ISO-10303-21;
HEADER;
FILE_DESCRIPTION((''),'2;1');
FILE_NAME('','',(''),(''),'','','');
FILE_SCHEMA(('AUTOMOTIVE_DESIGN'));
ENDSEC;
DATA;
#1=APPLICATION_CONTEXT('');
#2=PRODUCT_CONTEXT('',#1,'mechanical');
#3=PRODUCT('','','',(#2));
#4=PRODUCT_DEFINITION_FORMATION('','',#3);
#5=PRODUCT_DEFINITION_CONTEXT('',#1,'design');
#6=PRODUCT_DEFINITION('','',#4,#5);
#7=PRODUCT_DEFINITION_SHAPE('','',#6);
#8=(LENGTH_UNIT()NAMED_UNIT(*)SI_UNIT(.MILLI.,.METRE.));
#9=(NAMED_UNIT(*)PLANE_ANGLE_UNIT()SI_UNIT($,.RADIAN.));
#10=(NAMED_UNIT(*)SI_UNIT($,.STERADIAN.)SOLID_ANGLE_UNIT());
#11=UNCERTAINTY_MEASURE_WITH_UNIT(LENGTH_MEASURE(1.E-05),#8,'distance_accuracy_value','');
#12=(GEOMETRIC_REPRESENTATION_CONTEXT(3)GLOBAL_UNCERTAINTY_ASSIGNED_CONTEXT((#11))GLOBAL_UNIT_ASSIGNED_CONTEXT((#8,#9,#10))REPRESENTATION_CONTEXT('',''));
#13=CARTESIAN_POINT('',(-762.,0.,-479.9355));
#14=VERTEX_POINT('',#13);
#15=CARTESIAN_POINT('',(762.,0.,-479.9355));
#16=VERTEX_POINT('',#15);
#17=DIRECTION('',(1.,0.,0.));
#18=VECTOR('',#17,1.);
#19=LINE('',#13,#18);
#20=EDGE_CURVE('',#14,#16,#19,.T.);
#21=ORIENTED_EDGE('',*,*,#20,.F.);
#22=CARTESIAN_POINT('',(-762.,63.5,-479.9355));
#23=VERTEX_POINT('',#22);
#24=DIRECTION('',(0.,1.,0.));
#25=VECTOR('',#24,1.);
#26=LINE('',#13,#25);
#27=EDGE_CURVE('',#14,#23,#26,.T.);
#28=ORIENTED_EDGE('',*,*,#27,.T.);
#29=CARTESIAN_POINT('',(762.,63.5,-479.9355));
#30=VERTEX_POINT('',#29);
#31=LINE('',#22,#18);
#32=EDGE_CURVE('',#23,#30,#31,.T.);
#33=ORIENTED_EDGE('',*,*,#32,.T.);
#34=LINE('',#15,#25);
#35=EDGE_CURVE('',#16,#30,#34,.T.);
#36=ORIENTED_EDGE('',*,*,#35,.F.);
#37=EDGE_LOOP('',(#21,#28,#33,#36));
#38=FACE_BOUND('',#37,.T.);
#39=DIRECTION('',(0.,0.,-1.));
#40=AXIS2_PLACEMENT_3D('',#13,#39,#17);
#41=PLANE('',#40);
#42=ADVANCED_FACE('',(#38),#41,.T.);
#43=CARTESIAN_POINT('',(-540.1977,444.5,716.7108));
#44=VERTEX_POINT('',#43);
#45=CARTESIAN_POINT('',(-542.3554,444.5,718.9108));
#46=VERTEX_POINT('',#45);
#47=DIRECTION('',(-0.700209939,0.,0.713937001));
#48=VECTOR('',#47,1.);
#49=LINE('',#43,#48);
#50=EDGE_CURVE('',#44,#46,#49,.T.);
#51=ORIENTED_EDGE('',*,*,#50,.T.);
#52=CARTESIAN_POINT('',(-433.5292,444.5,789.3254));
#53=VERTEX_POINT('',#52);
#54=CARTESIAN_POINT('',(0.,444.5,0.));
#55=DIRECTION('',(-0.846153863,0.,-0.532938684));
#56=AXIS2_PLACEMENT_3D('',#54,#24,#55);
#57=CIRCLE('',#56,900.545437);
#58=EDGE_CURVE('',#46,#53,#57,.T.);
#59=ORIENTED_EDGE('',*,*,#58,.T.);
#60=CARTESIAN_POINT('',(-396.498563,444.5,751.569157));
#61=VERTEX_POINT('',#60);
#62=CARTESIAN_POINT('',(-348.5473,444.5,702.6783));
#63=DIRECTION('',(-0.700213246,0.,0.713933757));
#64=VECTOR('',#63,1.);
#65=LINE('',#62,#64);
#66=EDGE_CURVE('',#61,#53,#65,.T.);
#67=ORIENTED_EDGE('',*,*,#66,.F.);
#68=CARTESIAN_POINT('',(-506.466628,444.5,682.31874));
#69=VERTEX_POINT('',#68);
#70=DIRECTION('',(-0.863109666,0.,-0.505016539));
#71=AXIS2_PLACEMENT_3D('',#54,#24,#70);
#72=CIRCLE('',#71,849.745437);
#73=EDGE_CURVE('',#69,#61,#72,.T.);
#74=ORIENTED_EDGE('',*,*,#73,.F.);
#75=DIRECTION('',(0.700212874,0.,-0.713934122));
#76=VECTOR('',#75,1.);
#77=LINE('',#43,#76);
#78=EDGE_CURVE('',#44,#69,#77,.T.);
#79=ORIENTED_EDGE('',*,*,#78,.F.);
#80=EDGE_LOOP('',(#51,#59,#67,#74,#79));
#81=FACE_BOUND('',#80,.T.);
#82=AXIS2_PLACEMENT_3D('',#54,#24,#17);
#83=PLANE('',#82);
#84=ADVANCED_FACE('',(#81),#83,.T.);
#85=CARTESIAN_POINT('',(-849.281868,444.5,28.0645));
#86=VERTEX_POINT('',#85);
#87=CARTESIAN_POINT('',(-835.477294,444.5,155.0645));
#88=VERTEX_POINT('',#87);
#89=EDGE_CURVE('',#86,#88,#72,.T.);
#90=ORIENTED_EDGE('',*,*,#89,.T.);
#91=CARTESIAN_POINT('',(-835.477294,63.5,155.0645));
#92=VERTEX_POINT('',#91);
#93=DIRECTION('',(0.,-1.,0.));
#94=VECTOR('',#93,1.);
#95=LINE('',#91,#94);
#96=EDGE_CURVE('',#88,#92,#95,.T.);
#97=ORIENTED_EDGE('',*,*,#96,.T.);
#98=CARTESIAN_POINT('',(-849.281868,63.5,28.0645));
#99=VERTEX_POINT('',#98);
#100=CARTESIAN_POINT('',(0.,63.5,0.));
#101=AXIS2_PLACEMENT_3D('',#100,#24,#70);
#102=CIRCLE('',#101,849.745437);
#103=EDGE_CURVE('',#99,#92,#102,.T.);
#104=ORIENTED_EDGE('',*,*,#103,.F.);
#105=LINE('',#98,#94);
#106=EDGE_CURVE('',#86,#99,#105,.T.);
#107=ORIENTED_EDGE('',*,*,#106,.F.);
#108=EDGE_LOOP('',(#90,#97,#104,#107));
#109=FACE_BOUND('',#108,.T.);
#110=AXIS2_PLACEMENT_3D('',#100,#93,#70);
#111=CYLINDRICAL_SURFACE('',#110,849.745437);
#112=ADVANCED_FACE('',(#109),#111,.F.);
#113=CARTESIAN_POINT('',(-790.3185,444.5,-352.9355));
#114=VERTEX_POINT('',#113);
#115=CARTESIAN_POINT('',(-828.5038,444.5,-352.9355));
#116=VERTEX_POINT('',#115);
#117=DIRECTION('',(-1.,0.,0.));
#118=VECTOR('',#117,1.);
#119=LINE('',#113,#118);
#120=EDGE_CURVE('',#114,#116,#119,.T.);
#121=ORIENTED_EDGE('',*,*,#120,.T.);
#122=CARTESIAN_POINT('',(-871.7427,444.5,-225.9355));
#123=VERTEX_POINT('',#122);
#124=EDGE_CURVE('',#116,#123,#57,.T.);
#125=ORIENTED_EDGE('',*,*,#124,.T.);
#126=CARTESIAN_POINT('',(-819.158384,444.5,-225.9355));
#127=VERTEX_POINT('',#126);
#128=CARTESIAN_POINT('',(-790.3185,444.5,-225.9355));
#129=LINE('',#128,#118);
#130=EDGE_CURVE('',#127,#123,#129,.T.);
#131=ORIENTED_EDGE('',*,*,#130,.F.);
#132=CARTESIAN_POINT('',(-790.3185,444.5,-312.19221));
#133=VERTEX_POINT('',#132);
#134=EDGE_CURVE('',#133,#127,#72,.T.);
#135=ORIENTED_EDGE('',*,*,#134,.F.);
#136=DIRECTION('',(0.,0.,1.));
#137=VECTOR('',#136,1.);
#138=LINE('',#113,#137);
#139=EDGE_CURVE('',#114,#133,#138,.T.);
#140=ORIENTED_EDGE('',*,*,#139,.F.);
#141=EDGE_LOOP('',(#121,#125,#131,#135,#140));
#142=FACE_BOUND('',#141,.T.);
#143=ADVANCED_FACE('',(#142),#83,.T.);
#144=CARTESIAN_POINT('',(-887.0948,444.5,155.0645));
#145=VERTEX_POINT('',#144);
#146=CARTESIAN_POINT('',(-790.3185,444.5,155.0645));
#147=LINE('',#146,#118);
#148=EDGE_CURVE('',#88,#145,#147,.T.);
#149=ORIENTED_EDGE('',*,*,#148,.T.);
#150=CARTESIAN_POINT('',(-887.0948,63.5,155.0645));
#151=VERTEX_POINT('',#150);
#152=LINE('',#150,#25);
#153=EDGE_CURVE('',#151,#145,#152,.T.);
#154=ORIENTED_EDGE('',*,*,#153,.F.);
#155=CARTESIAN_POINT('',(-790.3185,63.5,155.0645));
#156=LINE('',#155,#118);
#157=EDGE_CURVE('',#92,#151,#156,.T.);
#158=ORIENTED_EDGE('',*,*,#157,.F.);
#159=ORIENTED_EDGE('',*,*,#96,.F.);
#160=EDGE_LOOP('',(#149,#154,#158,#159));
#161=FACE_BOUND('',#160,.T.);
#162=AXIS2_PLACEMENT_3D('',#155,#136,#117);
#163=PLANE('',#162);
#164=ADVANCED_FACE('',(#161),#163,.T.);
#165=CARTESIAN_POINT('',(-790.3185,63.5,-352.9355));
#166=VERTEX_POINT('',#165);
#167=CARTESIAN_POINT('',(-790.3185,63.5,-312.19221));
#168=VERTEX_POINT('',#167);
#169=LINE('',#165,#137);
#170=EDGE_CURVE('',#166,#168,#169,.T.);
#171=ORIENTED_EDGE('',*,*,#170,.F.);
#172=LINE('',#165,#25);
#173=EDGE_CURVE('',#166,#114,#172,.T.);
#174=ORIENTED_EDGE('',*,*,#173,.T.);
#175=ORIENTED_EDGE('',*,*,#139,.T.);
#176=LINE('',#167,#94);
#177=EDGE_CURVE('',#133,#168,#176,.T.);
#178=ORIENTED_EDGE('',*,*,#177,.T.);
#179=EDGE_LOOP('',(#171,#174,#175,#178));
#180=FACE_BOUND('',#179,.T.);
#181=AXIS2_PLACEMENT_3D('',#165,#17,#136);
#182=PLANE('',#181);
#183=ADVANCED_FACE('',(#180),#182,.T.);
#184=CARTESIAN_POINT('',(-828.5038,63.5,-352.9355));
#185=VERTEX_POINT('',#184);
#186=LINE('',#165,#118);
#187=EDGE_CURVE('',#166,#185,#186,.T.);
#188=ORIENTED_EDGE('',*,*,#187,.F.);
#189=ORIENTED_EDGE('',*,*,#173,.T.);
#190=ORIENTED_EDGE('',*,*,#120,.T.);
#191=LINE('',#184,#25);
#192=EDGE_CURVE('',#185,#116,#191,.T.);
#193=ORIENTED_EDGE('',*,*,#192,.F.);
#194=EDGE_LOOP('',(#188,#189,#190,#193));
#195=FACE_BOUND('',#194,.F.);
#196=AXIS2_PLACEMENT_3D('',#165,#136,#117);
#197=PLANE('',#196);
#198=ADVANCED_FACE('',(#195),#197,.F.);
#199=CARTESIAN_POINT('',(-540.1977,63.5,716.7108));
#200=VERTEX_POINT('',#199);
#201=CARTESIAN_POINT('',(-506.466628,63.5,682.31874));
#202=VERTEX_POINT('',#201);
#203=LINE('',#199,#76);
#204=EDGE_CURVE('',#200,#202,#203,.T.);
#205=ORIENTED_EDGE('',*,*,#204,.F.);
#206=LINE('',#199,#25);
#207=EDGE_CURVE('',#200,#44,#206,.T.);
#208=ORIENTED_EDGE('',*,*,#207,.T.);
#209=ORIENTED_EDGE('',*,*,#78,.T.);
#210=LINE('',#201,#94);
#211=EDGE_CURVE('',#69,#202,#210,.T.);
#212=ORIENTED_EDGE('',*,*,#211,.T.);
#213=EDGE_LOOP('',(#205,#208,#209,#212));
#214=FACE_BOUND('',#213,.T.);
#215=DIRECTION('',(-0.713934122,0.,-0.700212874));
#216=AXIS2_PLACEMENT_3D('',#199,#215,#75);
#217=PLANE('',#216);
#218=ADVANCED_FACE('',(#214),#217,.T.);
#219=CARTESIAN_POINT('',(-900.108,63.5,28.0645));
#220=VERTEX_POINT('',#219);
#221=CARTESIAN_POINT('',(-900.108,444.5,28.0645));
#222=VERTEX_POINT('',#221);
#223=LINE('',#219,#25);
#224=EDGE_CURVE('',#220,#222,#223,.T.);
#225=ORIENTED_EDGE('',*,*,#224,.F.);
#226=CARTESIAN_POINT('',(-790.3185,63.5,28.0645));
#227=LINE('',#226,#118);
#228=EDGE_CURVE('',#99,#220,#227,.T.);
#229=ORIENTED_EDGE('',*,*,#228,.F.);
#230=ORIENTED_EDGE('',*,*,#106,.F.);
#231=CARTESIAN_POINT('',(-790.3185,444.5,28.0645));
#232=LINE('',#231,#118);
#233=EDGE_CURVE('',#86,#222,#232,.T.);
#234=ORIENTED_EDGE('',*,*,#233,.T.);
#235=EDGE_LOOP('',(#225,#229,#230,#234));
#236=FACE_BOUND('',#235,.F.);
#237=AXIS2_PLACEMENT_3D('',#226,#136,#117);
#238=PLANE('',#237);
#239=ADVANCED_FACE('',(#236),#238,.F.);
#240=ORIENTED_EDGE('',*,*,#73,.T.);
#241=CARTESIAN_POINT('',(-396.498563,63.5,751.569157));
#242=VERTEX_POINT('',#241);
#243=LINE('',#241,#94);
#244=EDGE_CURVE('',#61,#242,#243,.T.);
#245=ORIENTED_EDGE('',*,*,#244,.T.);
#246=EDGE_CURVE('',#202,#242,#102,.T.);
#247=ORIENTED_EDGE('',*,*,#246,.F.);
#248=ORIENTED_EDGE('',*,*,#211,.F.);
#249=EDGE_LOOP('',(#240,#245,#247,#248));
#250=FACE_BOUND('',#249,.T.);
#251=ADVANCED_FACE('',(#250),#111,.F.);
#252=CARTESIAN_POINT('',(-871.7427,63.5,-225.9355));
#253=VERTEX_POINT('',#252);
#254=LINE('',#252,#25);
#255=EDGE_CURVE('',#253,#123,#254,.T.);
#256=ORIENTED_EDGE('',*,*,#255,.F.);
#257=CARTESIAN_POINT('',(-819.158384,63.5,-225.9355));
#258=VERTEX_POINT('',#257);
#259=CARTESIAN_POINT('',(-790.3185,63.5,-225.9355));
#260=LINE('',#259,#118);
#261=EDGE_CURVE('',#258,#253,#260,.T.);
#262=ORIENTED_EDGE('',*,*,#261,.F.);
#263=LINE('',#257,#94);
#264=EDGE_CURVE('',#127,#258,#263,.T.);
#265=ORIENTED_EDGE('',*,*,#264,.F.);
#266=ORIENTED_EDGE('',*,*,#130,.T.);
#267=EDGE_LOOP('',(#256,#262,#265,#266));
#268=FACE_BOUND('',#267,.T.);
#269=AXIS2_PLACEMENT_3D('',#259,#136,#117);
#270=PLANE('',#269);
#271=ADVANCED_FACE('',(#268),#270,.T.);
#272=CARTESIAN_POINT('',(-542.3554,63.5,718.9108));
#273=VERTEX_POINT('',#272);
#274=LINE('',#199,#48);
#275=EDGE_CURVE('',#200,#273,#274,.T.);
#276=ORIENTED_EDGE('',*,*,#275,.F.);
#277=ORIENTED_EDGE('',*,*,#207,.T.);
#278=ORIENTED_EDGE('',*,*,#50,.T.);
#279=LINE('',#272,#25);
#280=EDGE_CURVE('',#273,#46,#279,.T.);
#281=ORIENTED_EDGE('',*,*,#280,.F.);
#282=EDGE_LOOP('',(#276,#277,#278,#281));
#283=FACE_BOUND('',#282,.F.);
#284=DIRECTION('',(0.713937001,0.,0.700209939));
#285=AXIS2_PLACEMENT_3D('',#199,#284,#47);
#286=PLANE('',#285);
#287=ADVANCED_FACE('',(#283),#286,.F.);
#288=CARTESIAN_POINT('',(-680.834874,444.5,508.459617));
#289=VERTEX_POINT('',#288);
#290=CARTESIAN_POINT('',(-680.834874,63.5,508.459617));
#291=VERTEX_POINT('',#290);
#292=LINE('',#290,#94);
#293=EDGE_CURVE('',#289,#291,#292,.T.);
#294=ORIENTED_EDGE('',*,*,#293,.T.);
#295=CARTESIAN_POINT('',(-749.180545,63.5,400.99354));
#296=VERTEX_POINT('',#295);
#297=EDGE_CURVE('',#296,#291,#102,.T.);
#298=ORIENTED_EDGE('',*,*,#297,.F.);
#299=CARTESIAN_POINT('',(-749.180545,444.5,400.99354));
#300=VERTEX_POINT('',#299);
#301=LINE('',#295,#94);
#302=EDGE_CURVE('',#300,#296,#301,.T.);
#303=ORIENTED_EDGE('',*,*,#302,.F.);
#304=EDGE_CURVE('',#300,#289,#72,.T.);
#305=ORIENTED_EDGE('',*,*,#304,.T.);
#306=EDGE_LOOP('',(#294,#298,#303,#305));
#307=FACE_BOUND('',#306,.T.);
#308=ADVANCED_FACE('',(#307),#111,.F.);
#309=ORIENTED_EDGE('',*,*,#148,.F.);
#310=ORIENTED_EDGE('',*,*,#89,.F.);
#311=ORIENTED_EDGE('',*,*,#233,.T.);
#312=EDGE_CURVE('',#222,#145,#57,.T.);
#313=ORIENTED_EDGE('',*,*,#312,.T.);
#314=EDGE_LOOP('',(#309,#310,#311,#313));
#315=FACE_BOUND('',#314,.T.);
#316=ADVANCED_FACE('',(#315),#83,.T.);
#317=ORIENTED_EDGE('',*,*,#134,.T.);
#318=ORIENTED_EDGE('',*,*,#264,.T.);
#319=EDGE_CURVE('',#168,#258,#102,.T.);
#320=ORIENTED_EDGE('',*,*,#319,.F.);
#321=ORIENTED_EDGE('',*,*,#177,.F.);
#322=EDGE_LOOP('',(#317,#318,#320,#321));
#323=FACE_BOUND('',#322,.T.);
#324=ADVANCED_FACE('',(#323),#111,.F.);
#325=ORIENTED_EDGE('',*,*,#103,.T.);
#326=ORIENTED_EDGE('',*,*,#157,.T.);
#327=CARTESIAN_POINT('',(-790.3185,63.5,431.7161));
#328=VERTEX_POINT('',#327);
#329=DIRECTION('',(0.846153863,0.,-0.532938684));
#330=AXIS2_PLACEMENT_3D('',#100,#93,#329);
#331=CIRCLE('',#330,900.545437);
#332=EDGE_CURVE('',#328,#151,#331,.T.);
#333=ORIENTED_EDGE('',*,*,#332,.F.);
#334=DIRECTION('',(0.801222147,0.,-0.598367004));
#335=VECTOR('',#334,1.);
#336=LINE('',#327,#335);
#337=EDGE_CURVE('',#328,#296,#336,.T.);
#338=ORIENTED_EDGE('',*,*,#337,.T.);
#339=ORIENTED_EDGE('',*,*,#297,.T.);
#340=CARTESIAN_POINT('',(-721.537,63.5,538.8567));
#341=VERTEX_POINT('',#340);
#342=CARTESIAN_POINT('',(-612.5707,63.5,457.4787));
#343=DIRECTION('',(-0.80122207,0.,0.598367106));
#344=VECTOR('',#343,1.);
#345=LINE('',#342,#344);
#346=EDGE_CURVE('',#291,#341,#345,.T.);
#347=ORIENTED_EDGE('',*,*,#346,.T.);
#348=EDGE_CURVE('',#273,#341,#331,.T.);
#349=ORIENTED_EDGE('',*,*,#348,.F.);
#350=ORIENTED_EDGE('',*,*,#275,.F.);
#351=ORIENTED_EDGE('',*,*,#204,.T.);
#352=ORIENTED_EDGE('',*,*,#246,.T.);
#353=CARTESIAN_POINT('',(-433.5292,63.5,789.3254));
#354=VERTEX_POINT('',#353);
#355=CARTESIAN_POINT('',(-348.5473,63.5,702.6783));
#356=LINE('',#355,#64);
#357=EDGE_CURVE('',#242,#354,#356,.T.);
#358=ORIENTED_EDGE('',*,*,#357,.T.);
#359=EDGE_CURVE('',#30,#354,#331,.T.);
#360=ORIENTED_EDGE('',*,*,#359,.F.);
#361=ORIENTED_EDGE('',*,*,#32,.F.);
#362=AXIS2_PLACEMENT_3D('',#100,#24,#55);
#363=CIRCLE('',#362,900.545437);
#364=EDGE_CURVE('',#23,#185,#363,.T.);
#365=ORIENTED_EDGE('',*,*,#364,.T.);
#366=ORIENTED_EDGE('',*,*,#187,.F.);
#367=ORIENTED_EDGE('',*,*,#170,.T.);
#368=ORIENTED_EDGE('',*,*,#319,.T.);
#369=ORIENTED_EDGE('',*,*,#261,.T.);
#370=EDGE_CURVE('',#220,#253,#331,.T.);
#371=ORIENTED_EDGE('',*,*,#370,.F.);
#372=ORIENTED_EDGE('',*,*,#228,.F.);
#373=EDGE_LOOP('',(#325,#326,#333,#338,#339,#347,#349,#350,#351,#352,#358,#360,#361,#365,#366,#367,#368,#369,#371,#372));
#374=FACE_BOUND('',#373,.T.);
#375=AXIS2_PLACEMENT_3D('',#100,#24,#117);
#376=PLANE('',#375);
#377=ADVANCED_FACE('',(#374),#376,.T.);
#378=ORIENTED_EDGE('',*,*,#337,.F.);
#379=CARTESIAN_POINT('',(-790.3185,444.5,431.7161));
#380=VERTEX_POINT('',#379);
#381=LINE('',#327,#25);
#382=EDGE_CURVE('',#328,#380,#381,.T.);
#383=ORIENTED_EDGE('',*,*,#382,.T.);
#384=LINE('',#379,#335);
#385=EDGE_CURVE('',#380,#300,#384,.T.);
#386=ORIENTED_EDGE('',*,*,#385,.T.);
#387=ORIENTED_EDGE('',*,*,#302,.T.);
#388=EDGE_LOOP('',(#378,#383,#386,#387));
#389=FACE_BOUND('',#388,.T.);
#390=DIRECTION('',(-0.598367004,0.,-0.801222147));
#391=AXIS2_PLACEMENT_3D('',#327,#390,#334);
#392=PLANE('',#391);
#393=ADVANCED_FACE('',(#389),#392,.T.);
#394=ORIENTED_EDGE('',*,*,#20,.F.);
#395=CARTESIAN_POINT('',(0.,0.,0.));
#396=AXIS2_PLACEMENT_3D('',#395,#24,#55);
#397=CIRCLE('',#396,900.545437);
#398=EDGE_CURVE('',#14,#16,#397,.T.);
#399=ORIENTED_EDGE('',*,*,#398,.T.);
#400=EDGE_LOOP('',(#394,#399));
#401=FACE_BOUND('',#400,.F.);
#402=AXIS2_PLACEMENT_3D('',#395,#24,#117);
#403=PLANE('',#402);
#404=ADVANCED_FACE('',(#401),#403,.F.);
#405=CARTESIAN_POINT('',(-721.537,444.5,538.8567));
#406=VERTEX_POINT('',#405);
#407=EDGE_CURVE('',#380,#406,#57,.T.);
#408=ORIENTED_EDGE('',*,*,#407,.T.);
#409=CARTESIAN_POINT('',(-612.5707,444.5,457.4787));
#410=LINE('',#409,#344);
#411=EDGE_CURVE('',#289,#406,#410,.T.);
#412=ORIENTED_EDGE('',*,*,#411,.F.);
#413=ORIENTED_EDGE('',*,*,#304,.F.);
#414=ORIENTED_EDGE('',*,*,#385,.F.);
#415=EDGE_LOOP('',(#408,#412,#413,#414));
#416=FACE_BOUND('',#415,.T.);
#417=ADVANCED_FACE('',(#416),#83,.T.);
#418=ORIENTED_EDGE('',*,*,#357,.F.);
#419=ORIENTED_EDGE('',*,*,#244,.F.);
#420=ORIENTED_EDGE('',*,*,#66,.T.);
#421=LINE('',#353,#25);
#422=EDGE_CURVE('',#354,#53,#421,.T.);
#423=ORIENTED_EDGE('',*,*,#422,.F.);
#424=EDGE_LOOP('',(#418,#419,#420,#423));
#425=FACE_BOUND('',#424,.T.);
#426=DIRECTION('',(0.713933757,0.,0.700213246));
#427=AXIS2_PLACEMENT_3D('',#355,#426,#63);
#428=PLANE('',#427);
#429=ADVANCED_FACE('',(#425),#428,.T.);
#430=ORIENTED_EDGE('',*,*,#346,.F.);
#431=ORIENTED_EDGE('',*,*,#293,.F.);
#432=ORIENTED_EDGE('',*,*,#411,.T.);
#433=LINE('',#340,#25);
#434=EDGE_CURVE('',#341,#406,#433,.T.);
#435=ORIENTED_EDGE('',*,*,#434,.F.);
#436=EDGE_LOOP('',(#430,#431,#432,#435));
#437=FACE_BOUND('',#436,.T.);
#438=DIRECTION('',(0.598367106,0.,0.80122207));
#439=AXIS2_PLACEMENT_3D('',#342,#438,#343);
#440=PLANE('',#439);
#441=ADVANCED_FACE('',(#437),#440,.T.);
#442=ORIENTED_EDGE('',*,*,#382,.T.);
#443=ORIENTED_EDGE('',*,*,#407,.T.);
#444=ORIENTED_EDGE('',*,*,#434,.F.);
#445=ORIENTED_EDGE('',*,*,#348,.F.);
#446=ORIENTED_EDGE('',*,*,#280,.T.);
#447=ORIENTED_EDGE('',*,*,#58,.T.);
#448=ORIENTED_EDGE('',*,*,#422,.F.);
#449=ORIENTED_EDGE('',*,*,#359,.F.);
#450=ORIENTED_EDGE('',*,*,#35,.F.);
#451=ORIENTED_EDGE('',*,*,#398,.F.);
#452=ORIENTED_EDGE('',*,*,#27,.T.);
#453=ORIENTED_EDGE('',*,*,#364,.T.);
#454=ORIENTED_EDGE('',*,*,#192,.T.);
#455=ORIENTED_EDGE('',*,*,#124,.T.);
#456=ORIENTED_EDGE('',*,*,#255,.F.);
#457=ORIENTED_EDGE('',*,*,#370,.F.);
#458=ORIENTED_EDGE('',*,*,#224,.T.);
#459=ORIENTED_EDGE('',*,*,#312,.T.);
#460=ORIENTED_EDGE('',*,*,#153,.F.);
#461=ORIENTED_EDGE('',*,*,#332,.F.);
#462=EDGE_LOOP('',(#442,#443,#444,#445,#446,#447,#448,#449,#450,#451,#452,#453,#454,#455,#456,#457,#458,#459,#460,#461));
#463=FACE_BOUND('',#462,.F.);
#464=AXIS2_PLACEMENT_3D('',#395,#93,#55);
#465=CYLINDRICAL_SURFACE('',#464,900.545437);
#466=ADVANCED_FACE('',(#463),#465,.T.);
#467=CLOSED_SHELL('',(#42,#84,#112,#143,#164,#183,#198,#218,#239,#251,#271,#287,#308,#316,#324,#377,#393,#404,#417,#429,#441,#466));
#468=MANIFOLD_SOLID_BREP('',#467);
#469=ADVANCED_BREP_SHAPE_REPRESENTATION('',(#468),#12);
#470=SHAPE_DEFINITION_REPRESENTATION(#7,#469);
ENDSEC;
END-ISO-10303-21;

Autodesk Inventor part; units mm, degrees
ref_plane "YZ Plane" through (0, 0, 0) normal (1, 0, 0) x (0, 1, 0)
ref_plane "XZ Plane" through (0, 0, 0) normal (0, 1, 0) x (-1, 0, 0)
ref_plane "XY Plane" through (0, 0, 0) normal (0, 0, 1) x (1, 0, 0)
sketch "Sketch2" plane through (0, 0, 0) normal (0, 1, 0) x (-1, 0, 0)
  arc A0 (762, -479.9355) -> (-762, -479.9355) centre (0, 0) ccw
  line L0 (900.5455, 0) -> (762, 0)
  line L1 (762, -479.9355) -> (-762, -479.9355)
  dimension "d8" = 1524
extrude "Extrusion1" add sketch "Sketch2" along normal blind 63.5
sketch "Sketch4" plane through (0, 63.5, 0) normal (0, 1, 0) x (1, 0, 0)
  arc A0 (-762, 479.9355) -> (762, 479.9355) centre (0, 0) ccw
  line L0 (762, 479.9355) -> (-762, 479.9355) projected
  arc A1 (-762, 479.9355) -> (762, 479.9355) centre (0, 0) ccw projected
  line L1 (-762, 479.9355) -> (762, 479.9355)
  line L2 (-790.3185, 352.9355) -> (-828.5038, 352.9355)
  line L3 (-790.3185, 352.9355) -> (-790.3185, 225.9355)
  line L4 (-790.3185, 225.9355) -> (-871.7427, 225.9355)
  dimension "d15" = 127
extrude "Extrusion4" add sketch "Sketch4" along normal blind 381 contours L2 L3 L4 A0
sketch "Sketch5" plane through (0, 63.5, 0) normal (0, 1, 0) x (1, 0, 0)
  line L0 (-790.3185, 225.9355) -> (-871.7427, 225.9355) projected
  arc A0 (-762, 479.9355) -> (762, 479.9355) centre (0, 0) ccw
  arc A1 (-762, 479.9355) -> (762, 479.9355) centre (0, 0) ccw projected
  arc A2 (-871.7427, 225.9355) -> (762, 479.9355) centre (0, 0) ccw projected
  line L1 (-871.7427, 225.9355) -> (-790.3185, 225.9355) projected
  line L2 (-790.3185, 225.9355) -> (-790.3185, -28.0645)
  line L3 (-790.3185, -28.0645) -> (-900.108, -28.0645)
  line L4 (-790.3185, -28.0645) -> (-790.3185, -155.0645)
  line L5 (-790.3185, -155.0645) -> (-887.0948, -155.0645)
  line L6 (762, 479.9355) -> (-762, 479.9355) projected
  line L7 (762, 479.9355) -> (-762, 479.9355)
  dimension "d23" = 254
  dimension "d24" = 127
extrude "Extrusion6" add sketch "Sketch5" along normal blind 381 contours L4 L5 A0 L3
sketch "Sketch6" plane through (0, 63.5, 0) normal (0, 1, 0) x (1, 0, 0)
  arc A0 (-762, 479.9355) -> (762, 479.9355) centre (0, 0) ccw
  line L0 (762, 479.9355) -> (-762, 479.9355) projected
  arc A1 (-762, 479.9355) -> (762, 479.9355) centre (0, 0) ccw projected
  line L1 (-762, 479.9355) -> (762, 479.9355)
  line L2 (-790.3185, -155.0645) -> (-790.3185, -431.7161)
  arc A2 (-887.0948, -155.0645) -> (762, 479.9355) centre (0, 0) ccw projected
  line L3 (-790.3185, -431.7161) -> (-688.5633, -355.7235)
  line L4 (-688.5633, -355.7235) -> (-612.5707, -457.4787)
  line L5 (-612.5707, -457.4787) -> (-721.537, -538.8567)
  dimension "d27" = 127
  dimension "d28" = 127
  dimension "d29" = 127
  dimension "d30" = 90
  dimension "d31" = 90
extrude "Extrusion7" add sketch "Sketch6" along normal blind 381 contours L3 L4 L5 A0
sketch "Sketch7" plane through (0, 63.5, 0) normal (0, 1, 0) x (1, 0, 0)
  arc A0 (-762, 479.9355) -> (762, 479.9355) centre (0, 0) ccw
  line L0 (-762, 479.9355) -> (762, 479.9355)
  arc A1 (-721.537, -538.8567) -> (762, 479.9355) centre (0, 0) ccw projected
  line L1 (-540.1977, -716.7108) -> (-439.217, -613.7513)
  line L2 (-439.217, -613.7513) -> (-348.5473, -702.6783)
  line L3 (-348.5473, -702.6783) -> (-433.5292, -789.3254)
  line L4 (-540.1977, -716.7108) -> (-542.3554, -718.9108)
  arc A2 (-762, 479.9355) -> (762, 479.9355) centre (0, 0) ccw projected
  dimension "d34" = 254
  dimension "d35" = 127
  dimension "d36" = 90
extrude "Extrusion8" add sketch "Sketch7" along normal blind 381 contours L4 L1 L2 L3 A0
sketch "Sketch8" plane through (0, 63.5, 0) normal (0, 1, 0) x (1, 0, 0)
  arc A0 (-762, 479.9355) -> (762, 479.9355) centre (0, 0) ccw
  line L0 (762, 479.9355) -> (-762, 479.9355) projected
  line L1 (762, 479.9355) -> (-762, 479.9355)
  arc A1 (-733.4235, 429.1355) -> (733.4235, 429.1355) centre (0, 0) ccw
  line L2 (-733.4235, 429.1355) -> (733.4235, 429.1355)
  dimension "d39" = 50.8
extrude "Extrusion9" cut sketch "Sketch8" along normal blind 381 contours L2 A1
properties part number "Nest-ver2-1111-2021"
